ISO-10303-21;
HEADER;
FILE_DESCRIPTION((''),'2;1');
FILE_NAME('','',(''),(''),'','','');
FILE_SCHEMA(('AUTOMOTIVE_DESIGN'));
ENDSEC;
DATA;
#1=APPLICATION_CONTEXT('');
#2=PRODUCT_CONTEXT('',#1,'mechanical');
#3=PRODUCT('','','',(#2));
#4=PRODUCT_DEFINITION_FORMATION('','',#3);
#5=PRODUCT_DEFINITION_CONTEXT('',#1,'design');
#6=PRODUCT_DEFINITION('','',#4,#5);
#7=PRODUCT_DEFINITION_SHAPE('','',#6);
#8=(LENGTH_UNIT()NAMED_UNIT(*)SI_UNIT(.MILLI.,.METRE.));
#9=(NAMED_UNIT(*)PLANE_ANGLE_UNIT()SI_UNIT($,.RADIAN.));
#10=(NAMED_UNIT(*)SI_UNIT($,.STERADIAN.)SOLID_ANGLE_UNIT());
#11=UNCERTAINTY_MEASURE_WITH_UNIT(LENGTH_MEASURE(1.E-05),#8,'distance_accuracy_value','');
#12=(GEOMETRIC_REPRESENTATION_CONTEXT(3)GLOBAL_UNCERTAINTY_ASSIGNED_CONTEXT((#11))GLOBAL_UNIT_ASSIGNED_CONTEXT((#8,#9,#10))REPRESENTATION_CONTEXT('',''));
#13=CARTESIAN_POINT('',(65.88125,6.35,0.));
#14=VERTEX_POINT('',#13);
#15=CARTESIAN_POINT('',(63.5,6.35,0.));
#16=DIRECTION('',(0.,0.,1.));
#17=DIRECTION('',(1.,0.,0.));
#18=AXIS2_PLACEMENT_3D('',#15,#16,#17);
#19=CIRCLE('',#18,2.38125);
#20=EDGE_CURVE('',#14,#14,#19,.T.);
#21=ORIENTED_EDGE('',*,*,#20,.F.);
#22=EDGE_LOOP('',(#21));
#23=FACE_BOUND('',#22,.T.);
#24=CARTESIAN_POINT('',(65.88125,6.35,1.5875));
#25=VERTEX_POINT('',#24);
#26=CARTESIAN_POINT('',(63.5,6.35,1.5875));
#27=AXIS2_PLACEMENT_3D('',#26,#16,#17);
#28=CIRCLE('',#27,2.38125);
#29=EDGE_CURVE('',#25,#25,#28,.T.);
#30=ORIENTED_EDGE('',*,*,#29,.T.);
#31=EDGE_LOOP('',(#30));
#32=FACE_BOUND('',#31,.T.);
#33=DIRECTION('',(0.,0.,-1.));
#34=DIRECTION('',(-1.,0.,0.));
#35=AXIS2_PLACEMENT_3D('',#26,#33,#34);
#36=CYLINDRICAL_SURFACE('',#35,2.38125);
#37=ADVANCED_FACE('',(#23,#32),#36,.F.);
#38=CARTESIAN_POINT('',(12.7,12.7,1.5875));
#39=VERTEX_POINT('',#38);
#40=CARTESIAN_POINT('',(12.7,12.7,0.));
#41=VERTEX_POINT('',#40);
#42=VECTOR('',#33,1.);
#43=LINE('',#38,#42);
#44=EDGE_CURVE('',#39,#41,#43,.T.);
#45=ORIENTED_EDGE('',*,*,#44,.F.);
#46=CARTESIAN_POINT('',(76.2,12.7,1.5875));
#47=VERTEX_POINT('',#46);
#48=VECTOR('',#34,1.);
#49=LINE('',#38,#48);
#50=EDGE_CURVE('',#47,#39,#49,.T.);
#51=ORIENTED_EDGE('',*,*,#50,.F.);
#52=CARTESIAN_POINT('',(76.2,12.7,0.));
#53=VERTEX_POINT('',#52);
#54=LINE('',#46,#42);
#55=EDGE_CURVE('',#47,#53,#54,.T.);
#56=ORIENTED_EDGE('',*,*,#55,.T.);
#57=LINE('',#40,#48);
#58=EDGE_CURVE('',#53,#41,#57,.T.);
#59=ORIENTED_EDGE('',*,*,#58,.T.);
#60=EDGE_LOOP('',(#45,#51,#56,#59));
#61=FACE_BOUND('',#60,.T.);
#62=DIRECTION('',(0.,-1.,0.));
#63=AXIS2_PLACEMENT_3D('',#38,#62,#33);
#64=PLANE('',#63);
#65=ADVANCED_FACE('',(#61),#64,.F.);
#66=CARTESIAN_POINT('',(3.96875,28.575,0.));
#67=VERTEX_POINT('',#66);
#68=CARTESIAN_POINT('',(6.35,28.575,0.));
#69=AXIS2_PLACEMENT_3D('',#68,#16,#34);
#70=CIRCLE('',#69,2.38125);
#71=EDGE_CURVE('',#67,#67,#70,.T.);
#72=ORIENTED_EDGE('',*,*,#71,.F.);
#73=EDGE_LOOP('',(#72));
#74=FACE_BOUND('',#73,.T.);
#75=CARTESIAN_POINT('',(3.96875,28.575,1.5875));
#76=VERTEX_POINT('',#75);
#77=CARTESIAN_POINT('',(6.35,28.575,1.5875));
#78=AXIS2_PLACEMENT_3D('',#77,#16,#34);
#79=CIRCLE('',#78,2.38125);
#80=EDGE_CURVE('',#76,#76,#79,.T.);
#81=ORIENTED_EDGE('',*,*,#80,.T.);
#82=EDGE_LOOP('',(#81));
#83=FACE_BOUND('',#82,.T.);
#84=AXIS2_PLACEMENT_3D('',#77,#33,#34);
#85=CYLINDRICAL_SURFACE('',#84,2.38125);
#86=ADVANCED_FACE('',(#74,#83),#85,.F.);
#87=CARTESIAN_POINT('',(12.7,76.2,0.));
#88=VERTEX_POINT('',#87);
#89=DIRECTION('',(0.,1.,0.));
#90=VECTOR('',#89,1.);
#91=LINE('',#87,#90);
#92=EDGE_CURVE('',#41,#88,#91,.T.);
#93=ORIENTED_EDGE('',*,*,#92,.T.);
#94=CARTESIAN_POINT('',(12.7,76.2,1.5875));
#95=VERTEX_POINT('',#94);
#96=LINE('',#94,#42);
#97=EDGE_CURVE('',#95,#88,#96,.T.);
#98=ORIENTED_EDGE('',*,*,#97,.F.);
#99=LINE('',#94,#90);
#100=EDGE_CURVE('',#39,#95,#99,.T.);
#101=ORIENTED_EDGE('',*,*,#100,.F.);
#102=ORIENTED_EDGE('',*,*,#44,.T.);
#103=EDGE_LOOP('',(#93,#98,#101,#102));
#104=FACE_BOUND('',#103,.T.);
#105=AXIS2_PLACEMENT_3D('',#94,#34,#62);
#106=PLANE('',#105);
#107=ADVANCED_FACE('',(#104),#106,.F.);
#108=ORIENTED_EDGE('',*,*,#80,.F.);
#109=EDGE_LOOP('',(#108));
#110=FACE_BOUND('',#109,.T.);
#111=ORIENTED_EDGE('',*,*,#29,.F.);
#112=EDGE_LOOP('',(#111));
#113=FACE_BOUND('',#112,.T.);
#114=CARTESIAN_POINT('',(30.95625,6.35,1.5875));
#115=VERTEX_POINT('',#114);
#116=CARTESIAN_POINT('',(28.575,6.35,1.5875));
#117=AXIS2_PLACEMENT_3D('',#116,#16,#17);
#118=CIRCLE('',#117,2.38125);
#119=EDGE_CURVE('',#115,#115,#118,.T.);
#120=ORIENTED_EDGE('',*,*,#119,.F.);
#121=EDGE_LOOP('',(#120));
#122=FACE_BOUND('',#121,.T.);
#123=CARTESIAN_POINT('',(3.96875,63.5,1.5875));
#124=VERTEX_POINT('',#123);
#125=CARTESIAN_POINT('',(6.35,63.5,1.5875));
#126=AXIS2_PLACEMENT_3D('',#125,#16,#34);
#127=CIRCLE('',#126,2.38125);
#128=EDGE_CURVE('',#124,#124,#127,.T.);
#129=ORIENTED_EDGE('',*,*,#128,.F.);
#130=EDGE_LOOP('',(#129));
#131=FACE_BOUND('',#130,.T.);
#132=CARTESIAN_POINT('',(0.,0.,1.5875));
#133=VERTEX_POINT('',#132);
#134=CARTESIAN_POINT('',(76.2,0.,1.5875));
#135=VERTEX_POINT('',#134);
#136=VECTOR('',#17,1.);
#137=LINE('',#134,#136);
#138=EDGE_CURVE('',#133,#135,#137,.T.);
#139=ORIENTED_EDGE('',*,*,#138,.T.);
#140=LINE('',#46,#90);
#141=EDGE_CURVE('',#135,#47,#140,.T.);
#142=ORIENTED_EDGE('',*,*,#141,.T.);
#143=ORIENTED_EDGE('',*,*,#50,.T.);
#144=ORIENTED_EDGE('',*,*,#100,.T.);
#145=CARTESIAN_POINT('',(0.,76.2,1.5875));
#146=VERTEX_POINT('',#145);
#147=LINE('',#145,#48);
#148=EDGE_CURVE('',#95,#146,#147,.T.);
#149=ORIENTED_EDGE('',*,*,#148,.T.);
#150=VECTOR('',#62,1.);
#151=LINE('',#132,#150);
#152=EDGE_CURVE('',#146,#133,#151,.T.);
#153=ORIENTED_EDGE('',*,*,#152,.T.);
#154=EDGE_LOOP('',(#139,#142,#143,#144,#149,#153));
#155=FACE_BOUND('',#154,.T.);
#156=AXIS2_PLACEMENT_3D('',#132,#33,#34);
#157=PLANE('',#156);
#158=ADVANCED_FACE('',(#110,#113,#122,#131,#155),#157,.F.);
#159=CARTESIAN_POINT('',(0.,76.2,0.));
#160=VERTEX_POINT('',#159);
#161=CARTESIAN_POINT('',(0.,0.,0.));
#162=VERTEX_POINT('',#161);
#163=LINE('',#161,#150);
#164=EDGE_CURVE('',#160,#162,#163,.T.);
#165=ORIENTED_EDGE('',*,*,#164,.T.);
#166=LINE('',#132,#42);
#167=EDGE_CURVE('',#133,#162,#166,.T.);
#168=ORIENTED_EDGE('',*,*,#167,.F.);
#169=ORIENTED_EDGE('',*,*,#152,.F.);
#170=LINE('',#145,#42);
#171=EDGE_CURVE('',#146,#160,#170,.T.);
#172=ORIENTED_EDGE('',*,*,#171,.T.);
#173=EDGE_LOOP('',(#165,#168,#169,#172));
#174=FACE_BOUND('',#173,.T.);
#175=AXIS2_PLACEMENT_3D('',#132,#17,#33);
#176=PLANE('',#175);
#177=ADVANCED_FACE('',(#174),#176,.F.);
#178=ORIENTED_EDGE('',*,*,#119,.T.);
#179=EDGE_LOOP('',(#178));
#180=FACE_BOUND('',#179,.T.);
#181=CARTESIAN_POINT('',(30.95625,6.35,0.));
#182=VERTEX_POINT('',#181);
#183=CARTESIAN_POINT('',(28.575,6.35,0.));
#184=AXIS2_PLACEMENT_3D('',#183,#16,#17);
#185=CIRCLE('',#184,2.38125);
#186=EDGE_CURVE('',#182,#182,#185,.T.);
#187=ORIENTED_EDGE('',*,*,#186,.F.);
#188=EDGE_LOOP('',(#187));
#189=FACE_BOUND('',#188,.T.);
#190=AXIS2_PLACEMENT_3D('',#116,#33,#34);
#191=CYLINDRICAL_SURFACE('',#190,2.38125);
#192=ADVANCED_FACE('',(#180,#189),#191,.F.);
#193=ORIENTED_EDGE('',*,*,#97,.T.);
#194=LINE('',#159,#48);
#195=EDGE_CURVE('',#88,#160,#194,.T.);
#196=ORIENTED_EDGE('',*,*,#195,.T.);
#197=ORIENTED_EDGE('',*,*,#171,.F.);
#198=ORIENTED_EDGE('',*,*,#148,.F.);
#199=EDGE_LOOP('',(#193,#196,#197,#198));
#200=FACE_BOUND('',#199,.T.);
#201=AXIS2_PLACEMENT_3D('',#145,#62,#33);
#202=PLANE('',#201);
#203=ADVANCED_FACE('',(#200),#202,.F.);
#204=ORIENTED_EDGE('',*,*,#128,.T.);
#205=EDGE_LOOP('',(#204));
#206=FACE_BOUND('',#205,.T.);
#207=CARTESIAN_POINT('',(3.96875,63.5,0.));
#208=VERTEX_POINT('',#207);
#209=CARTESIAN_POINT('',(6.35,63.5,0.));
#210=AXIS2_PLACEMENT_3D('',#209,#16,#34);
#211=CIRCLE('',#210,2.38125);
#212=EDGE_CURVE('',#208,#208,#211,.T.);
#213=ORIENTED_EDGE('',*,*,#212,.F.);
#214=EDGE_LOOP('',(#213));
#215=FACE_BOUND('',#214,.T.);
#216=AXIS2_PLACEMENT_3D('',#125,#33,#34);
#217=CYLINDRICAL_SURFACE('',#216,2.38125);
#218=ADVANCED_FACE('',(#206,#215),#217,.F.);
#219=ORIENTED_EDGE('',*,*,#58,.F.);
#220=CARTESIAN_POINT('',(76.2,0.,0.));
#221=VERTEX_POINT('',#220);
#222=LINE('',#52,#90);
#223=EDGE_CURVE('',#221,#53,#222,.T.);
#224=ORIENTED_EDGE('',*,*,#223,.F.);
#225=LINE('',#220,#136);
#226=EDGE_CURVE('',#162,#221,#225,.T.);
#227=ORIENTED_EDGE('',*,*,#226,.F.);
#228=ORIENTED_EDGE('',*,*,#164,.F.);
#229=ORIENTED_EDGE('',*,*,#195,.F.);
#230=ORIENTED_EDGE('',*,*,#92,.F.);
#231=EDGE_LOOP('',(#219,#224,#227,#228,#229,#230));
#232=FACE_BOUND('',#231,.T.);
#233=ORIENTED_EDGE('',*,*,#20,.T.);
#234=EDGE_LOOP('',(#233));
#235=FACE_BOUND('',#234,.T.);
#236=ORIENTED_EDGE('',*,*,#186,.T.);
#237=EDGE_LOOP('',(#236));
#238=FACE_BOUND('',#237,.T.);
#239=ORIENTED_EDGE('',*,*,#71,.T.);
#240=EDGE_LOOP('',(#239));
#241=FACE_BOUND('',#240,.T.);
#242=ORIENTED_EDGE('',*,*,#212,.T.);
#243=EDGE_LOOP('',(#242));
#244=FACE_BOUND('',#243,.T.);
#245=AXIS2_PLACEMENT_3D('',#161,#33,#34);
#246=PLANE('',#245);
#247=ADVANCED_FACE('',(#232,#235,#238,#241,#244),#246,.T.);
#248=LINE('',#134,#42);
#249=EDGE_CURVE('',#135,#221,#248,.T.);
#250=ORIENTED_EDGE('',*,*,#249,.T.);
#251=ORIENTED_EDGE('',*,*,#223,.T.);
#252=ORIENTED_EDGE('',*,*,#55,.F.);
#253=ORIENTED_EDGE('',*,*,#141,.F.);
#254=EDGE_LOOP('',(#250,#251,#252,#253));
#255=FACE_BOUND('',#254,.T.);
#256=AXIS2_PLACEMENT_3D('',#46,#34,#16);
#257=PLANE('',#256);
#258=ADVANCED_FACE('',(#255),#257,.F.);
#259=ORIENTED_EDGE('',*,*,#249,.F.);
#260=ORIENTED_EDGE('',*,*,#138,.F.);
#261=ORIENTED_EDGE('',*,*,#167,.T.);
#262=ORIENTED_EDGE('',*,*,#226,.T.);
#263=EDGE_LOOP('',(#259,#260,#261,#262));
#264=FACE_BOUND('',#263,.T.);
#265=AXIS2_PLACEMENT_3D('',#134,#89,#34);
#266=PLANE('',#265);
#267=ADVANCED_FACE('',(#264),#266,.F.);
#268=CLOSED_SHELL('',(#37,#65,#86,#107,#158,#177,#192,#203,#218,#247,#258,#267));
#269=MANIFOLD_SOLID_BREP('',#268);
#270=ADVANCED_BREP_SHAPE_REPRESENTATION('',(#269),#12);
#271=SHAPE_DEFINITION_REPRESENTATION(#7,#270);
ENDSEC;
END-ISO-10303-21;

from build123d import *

# Parameters (mm, degrees)
SKETCH1_R           = 2.38125
BOSS_EXTRUDE1_DEPTH = 1.5875


with BuildPart() as part:
    # Sketch1 → Boss-Extrude1 (new body)
    with BuildSketch(Plane.XY):
        Polygon((0, 0), (0, 76.2), (12.7, 76.2), (12.7, 12.7), (76.2, 12.7), (76.2, 0), align=None)
        with Locations((63.5, 6.35)):
            Circle(SKETCH1_R, mode=Mode.SUBTRACT)
        with Locations((28.575, 6.35)):
            Circle(SKETCH1_R, mode=Mode.SUBTRACT)
        with Locations(Location((6.35, 63.5, 0), (0, 0, 180))):
            Circle(SKETCH1_R, mode=Mode.SUBTRACT)
        with Locations(Location((6.35, 28.575, 0), (0, 0, 180))):
            Circle(SKETCH1_R, mode=Mode.SUBTRACT)
    extrude(amount=BOSS_EXTRUDE1_DEPTH)


solid = part.part
